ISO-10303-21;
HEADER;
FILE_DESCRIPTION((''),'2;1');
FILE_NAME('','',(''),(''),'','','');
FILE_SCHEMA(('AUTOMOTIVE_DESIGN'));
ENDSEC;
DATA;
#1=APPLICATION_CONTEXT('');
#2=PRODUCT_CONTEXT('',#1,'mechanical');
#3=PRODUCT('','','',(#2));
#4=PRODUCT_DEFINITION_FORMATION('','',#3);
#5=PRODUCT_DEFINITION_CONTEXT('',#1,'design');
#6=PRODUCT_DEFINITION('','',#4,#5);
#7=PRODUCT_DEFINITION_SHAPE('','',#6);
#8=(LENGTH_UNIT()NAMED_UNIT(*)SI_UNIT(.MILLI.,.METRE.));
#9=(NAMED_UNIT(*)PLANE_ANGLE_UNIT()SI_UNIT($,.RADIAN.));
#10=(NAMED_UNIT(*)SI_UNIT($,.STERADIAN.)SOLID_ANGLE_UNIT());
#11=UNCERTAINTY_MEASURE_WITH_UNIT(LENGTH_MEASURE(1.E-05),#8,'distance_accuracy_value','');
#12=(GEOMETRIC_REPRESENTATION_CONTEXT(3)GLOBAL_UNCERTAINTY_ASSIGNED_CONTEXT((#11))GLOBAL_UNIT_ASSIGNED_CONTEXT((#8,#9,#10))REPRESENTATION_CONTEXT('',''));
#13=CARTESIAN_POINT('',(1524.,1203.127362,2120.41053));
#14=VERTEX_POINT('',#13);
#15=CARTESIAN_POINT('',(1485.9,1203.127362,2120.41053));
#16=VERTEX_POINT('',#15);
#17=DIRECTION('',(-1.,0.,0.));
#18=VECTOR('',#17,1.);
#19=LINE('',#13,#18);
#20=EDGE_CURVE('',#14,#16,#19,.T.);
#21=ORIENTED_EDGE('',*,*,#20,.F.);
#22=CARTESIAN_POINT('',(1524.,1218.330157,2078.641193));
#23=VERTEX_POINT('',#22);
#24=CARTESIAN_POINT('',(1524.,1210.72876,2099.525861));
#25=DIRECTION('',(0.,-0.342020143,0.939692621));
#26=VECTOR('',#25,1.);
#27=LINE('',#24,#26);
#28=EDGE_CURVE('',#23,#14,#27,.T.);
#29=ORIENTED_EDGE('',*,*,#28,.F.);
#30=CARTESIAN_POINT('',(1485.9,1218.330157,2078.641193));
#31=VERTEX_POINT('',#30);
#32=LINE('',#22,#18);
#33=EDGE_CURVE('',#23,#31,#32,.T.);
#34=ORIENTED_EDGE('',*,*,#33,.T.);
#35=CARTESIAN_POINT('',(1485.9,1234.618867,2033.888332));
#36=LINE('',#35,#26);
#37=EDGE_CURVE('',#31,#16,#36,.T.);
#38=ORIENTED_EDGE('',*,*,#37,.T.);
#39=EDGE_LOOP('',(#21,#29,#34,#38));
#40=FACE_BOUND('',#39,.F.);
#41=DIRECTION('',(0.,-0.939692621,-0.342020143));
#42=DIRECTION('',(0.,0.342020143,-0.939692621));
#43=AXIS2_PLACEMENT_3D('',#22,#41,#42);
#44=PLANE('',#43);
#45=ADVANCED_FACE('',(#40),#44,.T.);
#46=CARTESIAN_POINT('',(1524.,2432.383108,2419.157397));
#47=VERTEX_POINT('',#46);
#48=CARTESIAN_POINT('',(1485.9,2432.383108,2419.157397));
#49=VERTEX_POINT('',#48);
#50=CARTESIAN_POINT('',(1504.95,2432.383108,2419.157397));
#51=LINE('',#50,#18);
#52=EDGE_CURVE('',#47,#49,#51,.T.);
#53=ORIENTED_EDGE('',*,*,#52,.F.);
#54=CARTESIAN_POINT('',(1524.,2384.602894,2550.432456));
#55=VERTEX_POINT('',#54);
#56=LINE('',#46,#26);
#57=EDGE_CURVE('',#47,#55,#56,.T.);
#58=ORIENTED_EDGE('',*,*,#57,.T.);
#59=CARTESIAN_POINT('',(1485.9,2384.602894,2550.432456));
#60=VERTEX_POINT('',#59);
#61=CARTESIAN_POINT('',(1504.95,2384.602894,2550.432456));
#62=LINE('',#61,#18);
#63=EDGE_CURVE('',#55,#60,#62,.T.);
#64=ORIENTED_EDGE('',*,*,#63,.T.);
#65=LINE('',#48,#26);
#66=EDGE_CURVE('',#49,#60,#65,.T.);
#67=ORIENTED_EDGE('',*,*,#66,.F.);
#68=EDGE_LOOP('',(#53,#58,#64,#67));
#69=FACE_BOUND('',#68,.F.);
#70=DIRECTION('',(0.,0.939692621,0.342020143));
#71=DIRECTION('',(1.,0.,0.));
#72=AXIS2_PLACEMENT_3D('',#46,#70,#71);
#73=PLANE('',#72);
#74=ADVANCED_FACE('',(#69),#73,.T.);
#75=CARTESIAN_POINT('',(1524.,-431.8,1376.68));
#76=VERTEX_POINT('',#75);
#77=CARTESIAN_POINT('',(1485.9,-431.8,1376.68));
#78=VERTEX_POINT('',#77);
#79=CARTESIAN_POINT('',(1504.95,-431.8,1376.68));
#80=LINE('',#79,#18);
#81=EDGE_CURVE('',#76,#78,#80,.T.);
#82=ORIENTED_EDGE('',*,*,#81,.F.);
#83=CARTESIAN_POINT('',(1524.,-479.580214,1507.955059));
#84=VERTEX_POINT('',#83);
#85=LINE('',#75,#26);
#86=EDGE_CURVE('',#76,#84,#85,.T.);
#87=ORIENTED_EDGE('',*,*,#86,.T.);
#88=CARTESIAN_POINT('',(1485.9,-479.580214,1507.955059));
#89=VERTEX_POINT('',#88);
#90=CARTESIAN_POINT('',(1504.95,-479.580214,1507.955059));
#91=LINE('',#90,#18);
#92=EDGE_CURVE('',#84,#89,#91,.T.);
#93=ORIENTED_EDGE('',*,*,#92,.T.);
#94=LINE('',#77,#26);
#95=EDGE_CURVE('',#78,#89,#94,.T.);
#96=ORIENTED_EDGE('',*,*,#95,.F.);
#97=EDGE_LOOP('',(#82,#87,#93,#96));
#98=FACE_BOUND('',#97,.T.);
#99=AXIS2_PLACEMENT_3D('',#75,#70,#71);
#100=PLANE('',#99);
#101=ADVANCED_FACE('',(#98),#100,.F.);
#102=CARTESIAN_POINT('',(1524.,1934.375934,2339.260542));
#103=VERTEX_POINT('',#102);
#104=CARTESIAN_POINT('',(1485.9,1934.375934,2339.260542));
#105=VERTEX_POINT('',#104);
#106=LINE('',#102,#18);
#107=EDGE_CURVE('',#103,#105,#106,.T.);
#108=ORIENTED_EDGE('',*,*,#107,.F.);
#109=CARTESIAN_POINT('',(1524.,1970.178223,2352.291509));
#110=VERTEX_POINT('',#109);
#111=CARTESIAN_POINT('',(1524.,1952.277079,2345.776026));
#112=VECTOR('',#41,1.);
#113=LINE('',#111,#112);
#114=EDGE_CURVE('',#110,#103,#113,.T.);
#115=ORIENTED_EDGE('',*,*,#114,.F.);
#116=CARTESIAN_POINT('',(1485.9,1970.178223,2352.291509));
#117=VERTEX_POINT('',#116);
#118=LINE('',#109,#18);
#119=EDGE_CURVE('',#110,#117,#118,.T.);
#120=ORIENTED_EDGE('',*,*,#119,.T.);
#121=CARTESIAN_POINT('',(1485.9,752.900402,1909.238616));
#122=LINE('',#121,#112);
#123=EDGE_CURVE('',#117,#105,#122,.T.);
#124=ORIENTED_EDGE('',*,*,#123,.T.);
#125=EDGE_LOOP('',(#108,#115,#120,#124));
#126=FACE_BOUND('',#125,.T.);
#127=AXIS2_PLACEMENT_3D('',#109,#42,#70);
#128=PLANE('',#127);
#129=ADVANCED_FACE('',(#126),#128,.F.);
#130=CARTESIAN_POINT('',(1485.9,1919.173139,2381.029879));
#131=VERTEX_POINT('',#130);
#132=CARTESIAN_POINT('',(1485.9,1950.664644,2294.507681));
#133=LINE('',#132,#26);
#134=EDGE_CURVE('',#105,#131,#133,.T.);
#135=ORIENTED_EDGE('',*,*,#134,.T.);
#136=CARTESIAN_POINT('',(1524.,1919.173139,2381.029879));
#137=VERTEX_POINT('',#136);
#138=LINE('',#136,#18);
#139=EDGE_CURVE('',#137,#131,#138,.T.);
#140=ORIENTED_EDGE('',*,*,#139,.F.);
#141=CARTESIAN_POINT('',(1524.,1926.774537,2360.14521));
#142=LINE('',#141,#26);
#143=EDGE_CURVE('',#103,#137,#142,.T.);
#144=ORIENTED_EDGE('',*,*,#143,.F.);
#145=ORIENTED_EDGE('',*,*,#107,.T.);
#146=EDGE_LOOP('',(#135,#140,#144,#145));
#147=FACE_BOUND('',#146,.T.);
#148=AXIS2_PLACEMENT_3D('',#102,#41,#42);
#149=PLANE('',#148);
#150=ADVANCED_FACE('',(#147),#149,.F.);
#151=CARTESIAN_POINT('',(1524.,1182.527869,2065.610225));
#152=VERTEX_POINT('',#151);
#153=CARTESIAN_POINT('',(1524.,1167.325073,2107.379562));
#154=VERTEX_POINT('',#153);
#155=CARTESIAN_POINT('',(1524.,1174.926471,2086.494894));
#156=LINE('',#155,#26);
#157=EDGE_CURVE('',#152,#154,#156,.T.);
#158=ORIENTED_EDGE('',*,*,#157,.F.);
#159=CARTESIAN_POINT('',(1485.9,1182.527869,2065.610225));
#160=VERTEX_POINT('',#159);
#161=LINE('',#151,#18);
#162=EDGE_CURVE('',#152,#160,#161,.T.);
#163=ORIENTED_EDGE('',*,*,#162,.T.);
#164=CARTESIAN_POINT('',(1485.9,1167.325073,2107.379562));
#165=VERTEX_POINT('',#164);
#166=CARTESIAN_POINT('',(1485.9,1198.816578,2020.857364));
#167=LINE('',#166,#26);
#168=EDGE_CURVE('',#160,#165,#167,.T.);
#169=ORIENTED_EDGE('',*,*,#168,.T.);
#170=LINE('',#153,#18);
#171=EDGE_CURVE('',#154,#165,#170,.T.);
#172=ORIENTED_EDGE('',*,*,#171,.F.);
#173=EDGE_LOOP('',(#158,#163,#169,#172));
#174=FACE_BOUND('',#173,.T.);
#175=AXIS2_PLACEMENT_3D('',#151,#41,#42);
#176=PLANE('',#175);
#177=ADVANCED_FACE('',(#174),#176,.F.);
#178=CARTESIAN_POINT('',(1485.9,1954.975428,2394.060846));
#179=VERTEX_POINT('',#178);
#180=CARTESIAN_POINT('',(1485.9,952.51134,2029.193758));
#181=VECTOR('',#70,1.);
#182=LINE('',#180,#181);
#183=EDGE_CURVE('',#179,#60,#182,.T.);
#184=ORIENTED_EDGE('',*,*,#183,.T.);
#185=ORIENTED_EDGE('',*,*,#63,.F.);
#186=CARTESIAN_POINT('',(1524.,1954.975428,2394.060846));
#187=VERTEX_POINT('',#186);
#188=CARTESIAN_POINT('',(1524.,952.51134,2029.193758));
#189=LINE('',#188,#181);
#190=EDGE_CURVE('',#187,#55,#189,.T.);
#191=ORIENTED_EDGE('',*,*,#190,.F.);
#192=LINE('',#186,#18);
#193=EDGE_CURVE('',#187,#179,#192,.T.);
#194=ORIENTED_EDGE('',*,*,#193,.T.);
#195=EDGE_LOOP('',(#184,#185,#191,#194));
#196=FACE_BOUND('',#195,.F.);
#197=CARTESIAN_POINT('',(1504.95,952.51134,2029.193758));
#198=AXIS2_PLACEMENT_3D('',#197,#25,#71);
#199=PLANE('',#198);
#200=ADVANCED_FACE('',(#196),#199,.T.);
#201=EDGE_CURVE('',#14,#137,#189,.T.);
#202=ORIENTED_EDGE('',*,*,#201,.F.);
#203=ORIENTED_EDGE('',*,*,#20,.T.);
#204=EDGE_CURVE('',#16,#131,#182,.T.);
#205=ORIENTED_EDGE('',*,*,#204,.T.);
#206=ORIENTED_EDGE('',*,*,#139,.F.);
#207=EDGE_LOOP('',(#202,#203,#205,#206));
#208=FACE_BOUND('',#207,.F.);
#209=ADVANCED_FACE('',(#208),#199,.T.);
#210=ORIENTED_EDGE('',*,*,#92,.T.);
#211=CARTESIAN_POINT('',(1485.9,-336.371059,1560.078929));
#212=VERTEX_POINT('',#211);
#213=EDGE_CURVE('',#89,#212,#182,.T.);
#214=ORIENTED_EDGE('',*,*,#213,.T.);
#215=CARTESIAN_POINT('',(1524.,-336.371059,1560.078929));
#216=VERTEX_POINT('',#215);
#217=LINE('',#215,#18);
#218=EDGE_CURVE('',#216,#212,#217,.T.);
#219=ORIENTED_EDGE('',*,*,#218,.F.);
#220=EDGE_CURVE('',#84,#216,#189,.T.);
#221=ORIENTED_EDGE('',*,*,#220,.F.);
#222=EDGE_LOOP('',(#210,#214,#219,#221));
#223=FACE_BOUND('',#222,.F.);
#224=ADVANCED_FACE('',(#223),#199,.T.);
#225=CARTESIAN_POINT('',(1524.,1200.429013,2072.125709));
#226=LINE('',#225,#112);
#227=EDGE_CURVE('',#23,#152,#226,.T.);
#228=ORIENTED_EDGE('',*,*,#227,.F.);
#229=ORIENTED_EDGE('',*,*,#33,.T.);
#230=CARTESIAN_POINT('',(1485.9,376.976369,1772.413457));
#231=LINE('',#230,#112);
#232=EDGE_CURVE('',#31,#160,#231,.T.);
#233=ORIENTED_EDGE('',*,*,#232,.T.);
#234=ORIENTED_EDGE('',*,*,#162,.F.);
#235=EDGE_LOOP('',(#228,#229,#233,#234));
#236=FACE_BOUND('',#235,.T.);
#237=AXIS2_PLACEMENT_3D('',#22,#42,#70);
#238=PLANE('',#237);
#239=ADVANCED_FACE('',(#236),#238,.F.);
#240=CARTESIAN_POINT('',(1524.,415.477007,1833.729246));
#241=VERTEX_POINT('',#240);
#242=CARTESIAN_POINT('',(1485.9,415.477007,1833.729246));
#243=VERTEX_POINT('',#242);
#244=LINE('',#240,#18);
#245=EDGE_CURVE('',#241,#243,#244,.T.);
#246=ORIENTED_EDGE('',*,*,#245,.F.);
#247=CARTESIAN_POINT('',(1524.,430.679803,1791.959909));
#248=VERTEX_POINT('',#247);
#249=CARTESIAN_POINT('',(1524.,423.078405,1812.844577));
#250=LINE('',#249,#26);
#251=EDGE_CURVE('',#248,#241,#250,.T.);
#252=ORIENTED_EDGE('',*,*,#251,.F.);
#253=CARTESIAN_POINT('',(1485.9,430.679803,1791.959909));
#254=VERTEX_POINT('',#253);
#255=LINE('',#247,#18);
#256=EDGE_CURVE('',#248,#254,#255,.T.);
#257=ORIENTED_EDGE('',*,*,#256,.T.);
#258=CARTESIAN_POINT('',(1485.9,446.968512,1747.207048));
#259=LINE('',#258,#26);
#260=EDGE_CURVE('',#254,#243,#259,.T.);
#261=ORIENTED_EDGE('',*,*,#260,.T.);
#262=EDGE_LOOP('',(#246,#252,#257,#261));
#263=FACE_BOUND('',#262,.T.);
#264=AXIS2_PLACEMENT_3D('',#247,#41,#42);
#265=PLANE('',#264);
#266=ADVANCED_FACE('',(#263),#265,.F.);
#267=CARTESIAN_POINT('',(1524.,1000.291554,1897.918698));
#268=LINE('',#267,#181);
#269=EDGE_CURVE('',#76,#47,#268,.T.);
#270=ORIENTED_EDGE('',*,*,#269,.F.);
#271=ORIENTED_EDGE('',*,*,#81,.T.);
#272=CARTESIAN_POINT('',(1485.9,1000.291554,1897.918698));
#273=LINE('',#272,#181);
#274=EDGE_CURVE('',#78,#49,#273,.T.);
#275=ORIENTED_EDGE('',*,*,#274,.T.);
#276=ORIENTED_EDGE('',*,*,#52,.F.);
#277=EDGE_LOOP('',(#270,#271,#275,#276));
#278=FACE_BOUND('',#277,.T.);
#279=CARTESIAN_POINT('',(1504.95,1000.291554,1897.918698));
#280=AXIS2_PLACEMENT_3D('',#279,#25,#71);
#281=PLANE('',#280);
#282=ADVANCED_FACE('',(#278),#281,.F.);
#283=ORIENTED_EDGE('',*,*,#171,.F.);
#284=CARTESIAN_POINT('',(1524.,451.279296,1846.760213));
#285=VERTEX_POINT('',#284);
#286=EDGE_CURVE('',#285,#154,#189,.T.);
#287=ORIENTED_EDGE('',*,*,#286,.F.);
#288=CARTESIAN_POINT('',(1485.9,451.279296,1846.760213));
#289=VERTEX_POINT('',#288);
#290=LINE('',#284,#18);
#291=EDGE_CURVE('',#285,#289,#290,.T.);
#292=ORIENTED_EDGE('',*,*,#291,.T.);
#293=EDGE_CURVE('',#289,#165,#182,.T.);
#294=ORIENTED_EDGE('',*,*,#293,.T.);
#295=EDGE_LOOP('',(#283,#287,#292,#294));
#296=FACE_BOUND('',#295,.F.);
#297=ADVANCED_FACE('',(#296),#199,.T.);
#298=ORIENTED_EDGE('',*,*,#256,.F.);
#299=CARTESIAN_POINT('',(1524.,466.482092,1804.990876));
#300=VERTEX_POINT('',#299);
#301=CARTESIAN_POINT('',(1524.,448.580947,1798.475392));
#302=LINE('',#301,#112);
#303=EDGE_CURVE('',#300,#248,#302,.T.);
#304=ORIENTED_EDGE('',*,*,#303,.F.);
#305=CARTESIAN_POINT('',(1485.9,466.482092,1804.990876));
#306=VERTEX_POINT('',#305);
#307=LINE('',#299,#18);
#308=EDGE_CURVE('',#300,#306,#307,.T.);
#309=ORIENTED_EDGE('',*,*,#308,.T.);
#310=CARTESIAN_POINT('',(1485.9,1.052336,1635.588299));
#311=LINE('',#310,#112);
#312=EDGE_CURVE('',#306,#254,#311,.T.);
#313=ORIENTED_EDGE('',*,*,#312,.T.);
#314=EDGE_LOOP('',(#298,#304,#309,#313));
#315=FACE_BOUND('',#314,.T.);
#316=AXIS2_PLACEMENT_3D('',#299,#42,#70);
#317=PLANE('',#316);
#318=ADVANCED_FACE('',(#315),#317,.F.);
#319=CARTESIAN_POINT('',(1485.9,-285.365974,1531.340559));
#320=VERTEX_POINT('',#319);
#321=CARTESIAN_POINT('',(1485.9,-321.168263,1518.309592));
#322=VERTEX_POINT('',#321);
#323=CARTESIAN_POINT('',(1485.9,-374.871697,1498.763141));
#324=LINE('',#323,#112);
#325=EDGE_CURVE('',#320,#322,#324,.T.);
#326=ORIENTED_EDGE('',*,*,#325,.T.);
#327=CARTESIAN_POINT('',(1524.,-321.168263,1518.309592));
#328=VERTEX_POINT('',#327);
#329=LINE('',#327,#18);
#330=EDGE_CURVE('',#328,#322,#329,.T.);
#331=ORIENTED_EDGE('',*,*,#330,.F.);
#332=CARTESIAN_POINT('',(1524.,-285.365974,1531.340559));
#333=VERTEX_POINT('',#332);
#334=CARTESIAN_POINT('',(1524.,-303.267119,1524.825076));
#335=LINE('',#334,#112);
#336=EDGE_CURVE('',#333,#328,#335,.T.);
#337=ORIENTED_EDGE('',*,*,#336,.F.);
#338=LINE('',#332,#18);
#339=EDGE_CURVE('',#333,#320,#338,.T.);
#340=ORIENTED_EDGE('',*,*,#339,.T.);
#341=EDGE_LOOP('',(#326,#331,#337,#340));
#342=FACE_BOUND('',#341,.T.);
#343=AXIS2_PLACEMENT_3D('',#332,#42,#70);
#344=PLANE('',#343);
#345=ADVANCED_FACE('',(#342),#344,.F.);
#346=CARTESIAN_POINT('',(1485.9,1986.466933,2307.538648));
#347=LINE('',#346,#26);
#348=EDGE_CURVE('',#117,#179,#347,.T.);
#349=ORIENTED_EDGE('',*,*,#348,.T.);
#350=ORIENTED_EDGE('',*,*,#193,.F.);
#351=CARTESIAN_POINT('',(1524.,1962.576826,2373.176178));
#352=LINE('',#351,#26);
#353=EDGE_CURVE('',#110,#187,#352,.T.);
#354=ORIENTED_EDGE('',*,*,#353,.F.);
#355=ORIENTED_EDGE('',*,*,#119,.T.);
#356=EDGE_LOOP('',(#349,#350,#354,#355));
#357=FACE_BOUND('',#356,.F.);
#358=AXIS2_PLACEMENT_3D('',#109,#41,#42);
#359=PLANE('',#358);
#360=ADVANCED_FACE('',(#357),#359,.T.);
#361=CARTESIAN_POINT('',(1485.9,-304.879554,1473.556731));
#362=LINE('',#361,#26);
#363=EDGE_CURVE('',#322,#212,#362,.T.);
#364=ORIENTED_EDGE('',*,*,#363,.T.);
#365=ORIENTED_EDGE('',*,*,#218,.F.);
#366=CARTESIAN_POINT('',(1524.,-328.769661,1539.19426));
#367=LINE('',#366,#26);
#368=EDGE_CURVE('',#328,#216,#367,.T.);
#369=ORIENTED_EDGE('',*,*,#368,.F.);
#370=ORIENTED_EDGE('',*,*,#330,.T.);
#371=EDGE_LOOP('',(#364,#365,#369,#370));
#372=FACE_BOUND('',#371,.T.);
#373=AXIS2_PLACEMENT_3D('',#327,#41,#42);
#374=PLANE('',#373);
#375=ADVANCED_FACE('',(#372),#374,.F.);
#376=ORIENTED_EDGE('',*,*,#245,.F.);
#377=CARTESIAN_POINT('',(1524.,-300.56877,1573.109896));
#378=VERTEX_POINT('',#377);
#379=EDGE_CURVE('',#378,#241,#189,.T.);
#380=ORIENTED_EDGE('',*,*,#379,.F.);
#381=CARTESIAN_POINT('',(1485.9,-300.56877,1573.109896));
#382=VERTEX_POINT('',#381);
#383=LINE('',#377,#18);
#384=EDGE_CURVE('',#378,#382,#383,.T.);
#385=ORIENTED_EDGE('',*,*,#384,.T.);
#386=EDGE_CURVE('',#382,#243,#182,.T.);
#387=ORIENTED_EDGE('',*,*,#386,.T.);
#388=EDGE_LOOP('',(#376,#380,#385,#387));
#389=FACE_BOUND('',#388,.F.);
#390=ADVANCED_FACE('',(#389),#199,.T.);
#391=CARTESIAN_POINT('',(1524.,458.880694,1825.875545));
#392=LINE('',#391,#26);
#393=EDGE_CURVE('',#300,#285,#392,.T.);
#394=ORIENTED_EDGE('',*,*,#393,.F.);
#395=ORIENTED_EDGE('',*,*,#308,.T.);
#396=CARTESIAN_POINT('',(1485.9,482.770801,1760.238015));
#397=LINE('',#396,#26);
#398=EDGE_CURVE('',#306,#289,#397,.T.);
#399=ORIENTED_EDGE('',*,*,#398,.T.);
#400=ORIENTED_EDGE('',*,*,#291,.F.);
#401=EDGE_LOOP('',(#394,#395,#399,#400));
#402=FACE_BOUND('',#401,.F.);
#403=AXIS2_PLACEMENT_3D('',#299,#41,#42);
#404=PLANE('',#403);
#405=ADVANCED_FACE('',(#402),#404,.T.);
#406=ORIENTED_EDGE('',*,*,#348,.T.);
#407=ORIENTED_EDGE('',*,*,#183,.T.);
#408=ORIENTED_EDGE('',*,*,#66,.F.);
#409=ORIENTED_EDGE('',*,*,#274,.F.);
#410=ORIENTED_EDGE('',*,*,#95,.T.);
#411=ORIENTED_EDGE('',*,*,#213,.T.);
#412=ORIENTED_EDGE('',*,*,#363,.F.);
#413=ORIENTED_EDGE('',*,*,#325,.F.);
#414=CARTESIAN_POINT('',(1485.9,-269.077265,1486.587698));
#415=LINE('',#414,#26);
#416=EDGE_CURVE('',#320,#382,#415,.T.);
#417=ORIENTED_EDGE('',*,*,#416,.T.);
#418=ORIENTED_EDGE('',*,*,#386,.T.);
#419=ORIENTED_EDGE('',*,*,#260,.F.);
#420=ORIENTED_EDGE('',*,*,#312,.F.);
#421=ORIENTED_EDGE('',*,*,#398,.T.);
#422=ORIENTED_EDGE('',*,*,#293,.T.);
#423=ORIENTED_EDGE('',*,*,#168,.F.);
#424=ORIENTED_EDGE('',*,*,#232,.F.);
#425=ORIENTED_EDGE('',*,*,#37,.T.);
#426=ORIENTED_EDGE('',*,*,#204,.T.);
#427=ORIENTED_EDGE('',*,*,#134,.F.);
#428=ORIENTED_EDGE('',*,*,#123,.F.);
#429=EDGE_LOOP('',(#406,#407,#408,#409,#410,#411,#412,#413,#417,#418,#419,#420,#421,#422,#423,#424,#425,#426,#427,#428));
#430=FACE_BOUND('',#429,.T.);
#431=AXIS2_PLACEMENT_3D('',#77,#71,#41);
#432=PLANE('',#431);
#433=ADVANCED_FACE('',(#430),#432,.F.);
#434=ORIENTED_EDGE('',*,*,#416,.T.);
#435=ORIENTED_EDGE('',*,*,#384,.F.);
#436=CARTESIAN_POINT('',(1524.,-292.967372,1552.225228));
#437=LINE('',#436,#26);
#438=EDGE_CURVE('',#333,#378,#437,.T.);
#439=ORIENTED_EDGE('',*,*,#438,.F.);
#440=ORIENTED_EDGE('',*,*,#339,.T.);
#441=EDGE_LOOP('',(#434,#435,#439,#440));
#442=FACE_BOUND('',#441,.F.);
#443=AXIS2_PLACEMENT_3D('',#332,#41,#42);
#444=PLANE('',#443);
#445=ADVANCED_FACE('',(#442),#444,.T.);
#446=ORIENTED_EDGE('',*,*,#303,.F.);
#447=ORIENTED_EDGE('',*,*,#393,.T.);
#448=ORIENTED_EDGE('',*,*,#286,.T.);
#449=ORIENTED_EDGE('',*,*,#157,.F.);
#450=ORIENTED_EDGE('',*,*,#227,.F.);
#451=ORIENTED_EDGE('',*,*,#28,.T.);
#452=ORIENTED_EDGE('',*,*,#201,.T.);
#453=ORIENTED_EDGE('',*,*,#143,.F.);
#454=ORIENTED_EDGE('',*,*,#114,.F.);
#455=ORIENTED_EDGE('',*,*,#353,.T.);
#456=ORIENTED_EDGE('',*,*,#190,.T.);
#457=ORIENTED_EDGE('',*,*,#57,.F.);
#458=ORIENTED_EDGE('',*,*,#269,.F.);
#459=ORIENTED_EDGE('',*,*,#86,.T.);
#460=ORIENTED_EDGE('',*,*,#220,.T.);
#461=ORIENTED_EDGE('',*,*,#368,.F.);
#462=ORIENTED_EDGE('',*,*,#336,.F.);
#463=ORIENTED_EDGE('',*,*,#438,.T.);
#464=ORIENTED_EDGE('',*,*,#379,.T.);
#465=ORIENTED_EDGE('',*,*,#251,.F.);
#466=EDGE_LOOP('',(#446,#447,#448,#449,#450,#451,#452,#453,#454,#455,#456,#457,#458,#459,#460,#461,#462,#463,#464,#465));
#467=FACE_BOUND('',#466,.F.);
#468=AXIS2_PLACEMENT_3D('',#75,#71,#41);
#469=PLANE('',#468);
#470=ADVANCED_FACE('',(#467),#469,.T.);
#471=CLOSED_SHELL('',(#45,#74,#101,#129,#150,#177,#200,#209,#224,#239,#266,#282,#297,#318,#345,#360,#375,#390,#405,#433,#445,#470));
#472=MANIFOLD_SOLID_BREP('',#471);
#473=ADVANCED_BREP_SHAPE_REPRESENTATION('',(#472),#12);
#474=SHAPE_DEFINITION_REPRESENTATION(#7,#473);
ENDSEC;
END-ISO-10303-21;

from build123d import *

# Parameters (mm, degrees)
BOX012_W               = 38.1
BOX012_H               = 3048
BOX012_DEPTH           = 139.7
BOX012_ROLL_ANGLE      = 20
SKETCH031_W            = 38.1
SKETCH031_H            = 44.45
POCKET022_DEPTH        = 38.1010000019
LINEARPATTERN002_COUNT = 4
LINEARPATTERN002_PITCH = 800.1


with BuildPart() as linearpattern002:
    # Box012 → Box012 (new body)
    with BuildSketch(Plane.XY):
        with Locations((19.05, 1524)):
            Rectangle(BOX012_W, BOX012_H)
    extrude(amount=BOX012_DEPTH)


with BuildPart() as linearpattern002_1:
    # Box012 roll: moved
    add(linearpattern002.part.rotate(Axis((0, 0, 0), (1, 0, 0)), BOX012_ROLL_ANGLE))


with BuildPart() as linearpattern002_2:
    # Box012 placement: moved
    add(linearpattern002_1.part.moved(Location((0, -431.8, 1376.68))))

    # Sketch031 → Pocket022 (cut, through all)
    with BuildSketch(Plane(origin=(0, -431.8, 1376.68), x_dir=(0, -0.9396926208, -0.3420201433), z_dir=(-1, 0, 0))):
        with Locations((-171.45, 117.475)):
            Rectangle(SKETCH031_W, SKETCH031_H)
    pocket022 = extrude(amount=-POCKET022_DEPTH, mode=Mode.SUBTRACT)

    # LinearPattern002: Pocket022 ×4
    with Locations(*[Vector(0, 0.9396926208, 0.3420201433) * (i * LINEARPATTERN002_PITCH) for i in range(1, LINEARPATTERN002_COUNT)]):
        add(pocket022, mode=Mode.SUBTRACT)


with BuildPart() as part_mirroring005:
    # Part__Mirroring005: instance of LinearPattern002
    add(linearpattern002_2.part.mirror(Plane(origin=(762, 0, 0), x_dir=(0, -1, 0), z_dir=(1, 0, 0))))


solid = part_mirroring005.part
